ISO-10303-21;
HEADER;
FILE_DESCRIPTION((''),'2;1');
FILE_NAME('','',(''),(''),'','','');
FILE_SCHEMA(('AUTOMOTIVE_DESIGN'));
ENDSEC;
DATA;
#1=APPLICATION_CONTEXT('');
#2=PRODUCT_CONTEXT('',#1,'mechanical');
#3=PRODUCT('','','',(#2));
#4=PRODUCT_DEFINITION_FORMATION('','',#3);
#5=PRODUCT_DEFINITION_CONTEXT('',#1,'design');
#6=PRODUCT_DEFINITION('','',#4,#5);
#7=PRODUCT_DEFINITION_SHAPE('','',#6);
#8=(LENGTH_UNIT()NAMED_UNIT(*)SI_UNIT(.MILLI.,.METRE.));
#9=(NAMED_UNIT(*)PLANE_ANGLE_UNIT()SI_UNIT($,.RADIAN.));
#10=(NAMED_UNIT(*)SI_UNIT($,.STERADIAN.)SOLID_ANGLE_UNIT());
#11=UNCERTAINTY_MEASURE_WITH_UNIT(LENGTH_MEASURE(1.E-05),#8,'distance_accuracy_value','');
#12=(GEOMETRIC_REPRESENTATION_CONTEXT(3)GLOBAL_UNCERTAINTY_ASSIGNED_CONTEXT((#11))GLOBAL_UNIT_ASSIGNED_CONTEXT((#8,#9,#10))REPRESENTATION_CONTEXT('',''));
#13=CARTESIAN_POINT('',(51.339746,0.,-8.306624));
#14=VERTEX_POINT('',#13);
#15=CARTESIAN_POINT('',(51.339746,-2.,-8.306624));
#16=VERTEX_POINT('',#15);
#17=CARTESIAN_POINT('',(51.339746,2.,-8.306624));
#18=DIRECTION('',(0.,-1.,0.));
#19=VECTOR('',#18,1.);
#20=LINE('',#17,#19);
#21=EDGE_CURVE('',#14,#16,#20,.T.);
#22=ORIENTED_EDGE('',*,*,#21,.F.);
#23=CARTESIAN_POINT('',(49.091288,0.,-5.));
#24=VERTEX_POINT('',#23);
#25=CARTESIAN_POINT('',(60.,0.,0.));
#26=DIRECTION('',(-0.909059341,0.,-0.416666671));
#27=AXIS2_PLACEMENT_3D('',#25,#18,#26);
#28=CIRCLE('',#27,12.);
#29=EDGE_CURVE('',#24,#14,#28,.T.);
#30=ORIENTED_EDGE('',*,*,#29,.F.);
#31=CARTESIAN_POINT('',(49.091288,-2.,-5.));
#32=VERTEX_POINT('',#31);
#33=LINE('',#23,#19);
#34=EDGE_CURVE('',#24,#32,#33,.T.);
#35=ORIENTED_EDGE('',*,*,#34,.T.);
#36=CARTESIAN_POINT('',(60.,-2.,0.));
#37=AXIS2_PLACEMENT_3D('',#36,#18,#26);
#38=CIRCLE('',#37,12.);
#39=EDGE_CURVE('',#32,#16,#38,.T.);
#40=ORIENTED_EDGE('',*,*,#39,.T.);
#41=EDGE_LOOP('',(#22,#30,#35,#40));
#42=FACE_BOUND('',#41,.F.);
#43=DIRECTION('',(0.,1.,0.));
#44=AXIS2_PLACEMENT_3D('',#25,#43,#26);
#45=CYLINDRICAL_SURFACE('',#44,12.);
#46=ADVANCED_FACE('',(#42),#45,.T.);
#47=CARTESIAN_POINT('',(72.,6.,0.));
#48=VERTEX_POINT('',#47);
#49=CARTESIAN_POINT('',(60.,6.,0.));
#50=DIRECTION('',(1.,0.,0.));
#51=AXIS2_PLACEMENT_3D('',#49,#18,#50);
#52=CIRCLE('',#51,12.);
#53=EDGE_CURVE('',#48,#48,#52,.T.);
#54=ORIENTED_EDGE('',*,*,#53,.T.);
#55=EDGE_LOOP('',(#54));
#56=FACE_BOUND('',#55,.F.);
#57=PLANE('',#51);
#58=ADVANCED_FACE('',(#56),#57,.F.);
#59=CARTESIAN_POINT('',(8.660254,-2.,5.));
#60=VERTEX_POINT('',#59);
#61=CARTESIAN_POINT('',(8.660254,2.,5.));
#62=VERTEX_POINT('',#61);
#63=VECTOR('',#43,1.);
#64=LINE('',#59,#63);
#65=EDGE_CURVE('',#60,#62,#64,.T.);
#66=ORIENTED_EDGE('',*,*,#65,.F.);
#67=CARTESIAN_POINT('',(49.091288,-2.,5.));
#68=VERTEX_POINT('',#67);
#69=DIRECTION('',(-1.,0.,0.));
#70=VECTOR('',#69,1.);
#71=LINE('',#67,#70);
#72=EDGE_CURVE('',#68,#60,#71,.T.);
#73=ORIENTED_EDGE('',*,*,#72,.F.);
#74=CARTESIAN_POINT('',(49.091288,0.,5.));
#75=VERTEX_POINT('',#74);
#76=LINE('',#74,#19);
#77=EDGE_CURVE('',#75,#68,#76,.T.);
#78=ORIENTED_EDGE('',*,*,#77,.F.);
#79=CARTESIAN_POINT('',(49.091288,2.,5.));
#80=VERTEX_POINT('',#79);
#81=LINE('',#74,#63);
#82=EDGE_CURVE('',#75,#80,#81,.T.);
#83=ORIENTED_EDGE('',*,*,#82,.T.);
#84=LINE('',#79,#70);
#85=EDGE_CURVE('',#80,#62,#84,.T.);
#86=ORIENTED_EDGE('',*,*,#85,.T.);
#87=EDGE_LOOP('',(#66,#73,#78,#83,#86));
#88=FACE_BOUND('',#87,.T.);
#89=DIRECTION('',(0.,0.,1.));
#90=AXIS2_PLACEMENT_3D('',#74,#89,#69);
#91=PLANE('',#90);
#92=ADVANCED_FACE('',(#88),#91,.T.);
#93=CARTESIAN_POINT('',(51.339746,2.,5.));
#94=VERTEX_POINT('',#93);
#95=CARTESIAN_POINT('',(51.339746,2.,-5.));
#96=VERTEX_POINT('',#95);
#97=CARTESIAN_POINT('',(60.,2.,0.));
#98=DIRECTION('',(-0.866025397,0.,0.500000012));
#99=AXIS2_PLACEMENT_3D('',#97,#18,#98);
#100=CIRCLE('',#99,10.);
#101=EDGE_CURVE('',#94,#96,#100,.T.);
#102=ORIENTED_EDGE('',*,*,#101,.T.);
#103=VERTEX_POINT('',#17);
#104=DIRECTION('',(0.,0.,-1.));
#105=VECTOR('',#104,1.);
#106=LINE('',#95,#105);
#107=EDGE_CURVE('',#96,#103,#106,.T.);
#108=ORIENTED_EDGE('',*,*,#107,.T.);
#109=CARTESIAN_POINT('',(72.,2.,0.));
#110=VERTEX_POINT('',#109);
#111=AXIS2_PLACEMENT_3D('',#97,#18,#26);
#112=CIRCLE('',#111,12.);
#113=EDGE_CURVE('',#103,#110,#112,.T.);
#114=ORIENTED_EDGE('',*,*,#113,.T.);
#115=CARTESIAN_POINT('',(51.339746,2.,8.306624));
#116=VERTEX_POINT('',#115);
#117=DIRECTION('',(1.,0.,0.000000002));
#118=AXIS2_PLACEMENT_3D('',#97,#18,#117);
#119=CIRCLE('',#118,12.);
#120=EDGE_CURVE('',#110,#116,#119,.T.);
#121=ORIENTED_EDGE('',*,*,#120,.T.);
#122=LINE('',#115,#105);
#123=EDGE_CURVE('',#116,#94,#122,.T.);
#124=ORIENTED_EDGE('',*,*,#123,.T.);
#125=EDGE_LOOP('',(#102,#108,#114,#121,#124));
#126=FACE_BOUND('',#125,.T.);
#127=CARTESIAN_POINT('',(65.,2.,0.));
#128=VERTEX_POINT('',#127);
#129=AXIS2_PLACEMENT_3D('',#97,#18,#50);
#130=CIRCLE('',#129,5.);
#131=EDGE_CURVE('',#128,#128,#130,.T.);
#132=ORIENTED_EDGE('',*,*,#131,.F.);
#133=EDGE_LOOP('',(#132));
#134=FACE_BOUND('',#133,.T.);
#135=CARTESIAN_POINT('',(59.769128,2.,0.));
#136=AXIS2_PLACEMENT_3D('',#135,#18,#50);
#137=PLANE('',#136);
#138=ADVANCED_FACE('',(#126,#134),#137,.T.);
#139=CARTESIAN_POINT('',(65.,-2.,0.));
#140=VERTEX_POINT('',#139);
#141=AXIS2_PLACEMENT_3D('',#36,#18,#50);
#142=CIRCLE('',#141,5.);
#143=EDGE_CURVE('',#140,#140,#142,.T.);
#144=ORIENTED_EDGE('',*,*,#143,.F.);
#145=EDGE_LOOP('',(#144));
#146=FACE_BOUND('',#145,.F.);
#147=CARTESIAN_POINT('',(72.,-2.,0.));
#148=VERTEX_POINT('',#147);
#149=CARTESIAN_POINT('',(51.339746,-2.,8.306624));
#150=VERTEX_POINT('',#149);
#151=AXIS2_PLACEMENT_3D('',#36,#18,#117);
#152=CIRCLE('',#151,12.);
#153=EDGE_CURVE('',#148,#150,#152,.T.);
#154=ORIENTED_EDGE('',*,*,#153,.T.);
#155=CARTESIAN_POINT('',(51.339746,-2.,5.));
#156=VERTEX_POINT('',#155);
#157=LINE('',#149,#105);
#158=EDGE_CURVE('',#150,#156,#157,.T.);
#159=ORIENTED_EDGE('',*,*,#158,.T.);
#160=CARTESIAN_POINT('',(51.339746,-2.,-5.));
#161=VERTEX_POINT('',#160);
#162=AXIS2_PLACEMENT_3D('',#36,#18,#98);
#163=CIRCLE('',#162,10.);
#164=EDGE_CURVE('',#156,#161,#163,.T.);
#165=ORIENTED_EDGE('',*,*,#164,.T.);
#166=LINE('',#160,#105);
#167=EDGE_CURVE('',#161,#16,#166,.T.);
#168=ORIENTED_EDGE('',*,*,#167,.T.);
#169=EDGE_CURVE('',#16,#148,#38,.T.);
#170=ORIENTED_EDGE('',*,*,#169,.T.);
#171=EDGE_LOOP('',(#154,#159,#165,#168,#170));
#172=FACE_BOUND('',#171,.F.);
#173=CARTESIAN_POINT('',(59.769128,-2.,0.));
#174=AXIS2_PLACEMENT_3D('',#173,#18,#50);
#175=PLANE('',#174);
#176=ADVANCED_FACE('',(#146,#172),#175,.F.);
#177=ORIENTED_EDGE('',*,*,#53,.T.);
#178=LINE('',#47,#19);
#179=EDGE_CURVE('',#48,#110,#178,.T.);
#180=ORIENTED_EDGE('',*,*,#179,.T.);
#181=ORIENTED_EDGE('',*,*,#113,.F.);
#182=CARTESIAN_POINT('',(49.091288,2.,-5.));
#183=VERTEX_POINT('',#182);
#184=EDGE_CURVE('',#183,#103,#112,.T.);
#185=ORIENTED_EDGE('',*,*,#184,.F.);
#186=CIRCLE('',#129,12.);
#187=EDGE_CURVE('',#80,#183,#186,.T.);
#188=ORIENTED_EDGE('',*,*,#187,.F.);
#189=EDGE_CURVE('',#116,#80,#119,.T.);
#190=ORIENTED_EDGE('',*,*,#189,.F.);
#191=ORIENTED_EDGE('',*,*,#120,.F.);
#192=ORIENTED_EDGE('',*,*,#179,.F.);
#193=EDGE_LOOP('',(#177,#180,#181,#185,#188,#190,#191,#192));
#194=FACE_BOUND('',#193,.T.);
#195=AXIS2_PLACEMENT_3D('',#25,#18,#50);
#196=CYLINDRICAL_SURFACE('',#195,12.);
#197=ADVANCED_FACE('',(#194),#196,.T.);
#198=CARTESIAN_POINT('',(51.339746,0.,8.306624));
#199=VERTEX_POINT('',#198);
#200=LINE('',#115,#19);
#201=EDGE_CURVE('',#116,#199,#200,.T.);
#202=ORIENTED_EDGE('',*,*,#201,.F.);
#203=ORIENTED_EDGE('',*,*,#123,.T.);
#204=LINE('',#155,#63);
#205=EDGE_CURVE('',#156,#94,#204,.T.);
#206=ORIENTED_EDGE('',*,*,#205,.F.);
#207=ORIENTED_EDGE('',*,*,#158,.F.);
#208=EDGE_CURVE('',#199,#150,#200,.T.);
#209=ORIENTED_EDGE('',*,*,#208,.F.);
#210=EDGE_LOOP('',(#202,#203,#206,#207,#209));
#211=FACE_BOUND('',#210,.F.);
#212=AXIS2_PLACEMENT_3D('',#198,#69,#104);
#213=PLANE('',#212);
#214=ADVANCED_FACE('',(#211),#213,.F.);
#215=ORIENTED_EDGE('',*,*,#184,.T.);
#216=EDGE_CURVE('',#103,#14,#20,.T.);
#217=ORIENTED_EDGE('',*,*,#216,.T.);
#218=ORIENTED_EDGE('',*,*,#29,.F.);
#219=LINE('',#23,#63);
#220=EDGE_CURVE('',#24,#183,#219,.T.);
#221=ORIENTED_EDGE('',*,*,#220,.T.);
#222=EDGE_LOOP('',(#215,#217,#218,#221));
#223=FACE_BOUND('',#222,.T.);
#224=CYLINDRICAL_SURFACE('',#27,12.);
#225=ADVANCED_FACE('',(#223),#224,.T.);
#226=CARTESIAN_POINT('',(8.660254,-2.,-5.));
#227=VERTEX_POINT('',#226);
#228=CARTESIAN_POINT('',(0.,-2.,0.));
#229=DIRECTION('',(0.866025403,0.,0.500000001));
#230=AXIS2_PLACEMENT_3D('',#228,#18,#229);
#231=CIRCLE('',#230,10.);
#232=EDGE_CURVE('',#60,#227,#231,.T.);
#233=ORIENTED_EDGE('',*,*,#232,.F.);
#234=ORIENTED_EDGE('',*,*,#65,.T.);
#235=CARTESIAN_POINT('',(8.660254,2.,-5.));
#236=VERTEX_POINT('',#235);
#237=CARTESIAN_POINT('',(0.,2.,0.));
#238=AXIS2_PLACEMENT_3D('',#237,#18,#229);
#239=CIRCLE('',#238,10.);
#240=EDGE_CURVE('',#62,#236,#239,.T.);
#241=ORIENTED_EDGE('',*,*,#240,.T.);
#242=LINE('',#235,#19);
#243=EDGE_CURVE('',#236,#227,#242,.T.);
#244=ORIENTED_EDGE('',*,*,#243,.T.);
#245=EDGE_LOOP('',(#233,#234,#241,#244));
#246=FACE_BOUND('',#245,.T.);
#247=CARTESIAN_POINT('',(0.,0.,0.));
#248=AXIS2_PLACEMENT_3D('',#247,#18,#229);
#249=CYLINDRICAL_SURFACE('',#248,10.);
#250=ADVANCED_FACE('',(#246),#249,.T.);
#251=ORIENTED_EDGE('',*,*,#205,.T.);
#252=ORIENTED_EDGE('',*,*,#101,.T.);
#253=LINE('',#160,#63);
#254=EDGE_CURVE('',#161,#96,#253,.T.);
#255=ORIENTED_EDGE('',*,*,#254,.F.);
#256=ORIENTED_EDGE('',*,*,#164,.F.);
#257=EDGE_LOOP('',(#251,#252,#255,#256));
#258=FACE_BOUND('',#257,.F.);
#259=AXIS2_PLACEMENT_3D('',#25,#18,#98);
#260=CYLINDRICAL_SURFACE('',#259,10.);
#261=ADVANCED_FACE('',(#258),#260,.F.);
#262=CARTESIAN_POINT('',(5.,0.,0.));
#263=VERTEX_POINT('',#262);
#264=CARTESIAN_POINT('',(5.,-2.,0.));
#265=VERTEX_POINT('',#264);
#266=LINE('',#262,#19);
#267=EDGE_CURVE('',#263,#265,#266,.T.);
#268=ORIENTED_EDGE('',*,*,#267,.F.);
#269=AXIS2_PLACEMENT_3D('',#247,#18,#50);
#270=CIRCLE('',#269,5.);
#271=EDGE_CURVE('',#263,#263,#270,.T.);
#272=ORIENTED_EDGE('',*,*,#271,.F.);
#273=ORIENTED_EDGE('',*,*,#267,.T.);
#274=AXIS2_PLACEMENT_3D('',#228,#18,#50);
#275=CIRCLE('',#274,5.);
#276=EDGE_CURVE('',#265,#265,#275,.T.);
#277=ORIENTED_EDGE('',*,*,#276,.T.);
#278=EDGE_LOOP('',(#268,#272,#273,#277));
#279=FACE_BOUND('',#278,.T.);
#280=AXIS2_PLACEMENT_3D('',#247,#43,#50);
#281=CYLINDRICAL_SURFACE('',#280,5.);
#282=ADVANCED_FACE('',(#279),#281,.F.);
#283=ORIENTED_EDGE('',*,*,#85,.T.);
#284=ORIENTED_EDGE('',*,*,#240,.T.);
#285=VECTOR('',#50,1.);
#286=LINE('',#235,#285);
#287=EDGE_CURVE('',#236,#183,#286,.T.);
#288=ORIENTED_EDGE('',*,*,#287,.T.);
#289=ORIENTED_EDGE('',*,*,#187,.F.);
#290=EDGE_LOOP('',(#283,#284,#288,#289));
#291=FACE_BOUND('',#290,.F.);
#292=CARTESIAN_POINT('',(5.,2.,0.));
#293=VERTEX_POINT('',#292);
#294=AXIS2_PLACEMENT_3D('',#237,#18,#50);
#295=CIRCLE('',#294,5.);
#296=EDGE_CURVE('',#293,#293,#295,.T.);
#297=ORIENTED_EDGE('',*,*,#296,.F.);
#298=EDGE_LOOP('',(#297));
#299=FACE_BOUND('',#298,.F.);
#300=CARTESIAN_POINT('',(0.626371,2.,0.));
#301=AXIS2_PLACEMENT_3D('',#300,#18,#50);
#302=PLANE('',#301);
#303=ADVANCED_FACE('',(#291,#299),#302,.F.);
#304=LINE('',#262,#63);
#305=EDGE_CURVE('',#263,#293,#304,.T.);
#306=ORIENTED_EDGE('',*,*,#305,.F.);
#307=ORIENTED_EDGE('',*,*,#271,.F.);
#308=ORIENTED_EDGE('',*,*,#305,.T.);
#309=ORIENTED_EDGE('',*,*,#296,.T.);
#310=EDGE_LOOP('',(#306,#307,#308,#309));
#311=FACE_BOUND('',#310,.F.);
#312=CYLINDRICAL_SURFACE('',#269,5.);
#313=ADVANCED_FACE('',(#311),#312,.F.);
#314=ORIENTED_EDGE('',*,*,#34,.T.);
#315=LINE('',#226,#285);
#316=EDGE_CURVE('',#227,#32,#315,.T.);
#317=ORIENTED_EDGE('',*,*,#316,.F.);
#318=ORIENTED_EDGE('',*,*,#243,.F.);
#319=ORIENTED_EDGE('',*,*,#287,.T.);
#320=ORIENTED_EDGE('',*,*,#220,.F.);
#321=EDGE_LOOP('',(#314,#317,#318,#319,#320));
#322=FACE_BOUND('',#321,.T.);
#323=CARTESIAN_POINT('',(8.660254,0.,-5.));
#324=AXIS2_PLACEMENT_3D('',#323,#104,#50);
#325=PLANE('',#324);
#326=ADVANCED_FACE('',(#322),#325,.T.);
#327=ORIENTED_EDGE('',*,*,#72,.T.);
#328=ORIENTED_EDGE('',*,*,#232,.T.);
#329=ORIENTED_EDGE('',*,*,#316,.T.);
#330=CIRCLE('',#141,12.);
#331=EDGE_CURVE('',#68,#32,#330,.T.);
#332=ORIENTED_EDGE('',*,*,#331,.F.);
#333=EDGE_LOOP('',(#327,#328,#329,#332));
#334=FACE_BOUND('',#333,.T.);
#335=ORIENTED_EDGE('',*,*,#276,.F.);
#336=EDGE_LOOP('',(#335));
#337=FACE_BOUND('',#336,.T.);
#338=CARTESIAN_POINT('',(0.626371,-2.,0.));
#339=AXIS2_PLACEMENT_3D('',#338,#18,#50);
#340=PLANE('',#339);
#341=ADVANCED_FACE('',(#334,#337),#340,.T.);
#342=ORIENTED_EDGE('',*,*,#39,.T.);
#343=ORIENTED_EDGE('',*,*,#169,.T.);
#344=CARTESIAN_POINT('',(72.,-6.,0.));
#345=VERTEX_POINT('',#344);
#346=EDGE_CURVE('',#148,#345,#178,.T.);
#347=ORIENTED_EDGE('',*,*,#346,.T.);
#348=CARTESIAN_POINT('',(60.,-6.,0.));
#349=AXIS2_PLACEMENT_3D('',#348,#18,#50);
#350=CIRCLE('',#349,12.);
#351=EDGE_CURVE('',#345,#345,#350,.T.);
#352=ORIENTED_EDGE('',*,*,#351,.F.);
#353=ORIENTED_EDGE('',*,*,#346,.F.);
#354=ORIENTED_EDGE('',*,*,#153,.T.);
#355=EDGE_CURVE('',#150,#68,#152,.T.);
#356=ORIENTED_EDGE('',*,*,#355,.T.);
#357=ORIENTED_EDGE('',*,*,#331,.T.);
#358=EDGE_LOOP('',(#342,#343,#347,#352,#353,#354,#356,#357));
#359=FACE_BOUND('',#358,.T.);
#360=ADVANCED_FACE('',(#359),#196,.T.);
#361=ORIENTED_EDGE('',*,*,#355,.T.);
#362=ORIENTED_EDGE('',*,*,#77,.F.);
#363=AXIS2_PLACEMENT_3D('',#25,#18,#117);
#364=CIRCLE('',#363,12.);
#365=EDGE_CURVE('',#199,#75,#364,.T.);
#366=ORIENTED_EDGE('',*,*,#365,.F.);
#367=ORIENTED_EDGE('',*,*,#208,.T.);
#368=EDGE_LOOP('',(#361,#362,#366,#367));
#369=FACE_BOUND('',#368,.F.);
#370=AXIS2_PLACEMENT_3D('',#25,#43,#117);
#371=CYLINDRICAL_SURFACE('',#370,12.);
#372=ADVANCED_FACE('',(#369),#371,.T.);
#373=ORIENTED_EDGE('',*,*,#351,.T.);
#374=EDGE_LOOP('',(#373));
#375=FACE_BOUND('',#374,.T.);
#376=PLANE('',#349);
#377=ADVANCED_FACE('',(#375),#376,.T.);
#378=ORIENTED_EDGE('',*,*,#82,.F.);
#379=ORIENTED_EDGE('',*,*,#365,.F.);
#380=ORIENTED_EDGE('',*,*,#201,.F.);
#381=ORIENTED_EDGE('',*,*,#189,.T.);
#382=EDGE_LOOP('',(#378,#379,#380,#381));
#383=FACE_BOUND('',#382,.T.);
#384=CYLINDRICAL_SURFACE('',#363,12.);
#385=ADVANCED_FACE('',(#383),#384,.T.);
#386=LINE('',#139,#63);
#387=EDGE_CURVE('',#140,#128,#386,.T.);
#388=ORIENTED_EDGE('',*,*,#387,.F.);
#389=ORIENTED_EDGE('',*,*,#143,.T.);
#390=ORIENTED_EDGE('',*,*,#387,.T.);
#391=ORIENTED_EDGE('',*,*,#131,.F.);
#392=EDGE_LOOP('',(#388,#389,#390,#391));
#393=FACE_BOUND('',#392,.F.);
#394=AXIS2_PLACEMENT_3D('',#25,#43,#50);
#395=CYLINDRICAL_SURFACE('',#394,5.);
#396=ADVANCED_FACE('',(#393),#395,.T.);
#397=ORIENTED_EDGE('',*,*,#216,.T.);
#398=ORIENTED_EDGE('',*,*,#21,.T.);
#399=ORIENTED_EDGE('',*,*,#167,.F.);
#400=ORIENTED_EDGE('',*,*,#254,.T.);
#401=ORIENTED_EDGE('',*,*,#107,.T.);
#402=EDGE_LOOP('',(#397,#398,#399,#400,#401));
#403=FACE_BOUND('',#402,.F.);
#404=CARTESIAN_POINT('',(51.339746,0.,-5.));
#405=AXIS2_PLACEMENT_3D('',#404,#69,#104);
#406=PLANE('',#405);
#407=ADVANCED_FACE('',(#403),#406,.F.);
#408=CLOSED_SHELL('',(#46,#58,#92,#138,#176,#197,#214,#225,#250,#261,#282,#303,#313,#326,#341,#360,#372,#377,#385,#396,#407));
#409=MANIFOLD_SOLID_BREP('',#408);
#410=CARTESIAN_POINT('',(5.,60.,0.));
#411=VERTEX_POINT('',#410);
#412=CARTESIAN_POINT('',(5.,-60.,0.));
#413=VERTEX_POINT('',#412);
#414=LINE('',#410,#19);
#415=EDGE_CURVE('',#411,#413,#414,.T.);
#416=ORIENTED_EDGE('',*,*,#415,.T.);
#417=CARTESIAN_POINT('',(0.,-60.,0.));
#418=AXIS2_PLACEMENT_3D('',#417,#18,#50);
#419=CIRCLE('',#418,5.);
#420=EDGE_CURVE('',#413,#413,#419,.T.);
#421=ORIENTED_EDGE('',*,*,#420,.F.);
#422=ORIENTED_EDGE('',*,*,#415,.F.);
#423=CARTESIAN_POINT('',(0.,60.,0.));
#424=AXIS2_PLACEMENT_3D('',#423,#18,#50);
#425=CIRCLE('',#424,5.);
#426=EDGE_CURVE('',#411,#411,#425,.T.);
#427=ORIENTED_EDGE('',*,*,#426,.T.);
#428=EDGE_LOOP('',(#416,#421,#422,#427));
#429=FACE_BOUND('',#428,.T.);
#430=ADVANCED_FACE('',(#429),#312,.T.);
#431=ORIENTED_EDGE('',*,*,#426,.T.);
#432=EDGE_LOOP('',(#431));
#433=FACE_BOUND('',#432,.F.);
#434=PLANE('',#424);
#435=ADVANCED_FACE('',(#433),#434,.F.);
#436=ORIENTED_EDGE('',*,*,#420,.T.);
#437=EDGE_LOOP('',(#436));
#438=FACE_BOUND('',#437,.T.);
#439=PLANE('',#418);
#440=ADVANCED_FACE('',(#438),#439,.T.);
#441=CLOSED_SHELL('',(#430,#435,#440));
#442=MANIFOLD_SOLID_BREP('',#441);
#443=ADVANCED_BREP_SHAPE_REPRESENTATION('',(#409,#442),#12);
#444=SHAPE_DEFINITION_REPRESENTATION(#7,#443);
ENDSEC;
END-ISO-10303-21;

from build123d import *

# Parameters (mm, degrees)
F0_R     = 5
F1_DEPTH = 60
F2_R     = 5
F3_DEPTH = 2
F4_R     = 12
F5_DEPTH = 6
F6_R     = 5
F7_DEPTH = 2


with BuildPart() as f1:
    # F0 (on Front) → F1 (new body, symmetric)
    with BuildSketch(Plane.XZ):
        Circle(F0_R)
    extrude(amount=F1_DEPTH, both=True)


with BuildPart() as f3:
    # F2 (on Front) → F3 (new body, symmetric)
    with BuildSketch(Plane.XZ):
        with BuildLine():
            ThreePointArc((8.660254, -5), (9.659258, -2.58819), (10, 0))
            ThreePointArc((10, 0), (9.659258, 2.58819), (8.660254, 5))
            ThreePointArc((8.660254, 5), (-10, 0), (8.660254, -5))
        make_face()
        Circle(F2_R, mode=Mode.SUBTRACT)
        with BuildLine():
            ThreePointArc((8.660254, 5), (9.659258, 2.58819), (10, 0))
            ThreePointArc((10, 0), (9.659258, -2.58819), (8.660254, -5))
            Line((8.660254, -5), (49.091288, -5))
            ThreePointArc((49.091288, -5), (48, 0), (49.091288, 5))
            Line((49.091288, 5), (8.660254, 5))
        make_face()
        with BuildLine():
            ThreePointArc((72, 0), (62.558853, 11.724004), (49.091288, 5))
            ThreePointArc((49.091288, 5), (48, 0), (49.091288, -5))
            ThreePointArc((49.091288, -5), (62.558853, -11.724004), (72, 0))
        make_face()
    extrude(amount=F3_DEPTH, both=True)

    # F4 (on Front) → F5 (join, symmetric)
    with BuildSketch(Plane.XZ):
        with Locations((60, 0)):
            Circle(F4_R)
    extrude(amount=F5_DEPTH, both=True)

    # F6 (on Front) → F7 (cut, symmetric)
    with BuildSketch(Plane.XZ):
        with BuildLine():
            Line((51.339746, -5), (51.339746, -8.306624))
            ThreePointArc((51.339746, -8.306624), (72, 0), (51.339746, 8.306624))
            Line((51.339746, 8.306624), (51.339746, 5))
            ThreePointArc((51.339746, 5), (50, 0), (51.339746, -5))
        make_face()
        with Locations((60, 0)):
            Circle(F6_R, mode=Mode.SUBTRACT)
    extrude(amount=F7_DEPTH, both=True, mode=Mode.SUBTRACT)


solid = Compound([f1.part, f3.part])
